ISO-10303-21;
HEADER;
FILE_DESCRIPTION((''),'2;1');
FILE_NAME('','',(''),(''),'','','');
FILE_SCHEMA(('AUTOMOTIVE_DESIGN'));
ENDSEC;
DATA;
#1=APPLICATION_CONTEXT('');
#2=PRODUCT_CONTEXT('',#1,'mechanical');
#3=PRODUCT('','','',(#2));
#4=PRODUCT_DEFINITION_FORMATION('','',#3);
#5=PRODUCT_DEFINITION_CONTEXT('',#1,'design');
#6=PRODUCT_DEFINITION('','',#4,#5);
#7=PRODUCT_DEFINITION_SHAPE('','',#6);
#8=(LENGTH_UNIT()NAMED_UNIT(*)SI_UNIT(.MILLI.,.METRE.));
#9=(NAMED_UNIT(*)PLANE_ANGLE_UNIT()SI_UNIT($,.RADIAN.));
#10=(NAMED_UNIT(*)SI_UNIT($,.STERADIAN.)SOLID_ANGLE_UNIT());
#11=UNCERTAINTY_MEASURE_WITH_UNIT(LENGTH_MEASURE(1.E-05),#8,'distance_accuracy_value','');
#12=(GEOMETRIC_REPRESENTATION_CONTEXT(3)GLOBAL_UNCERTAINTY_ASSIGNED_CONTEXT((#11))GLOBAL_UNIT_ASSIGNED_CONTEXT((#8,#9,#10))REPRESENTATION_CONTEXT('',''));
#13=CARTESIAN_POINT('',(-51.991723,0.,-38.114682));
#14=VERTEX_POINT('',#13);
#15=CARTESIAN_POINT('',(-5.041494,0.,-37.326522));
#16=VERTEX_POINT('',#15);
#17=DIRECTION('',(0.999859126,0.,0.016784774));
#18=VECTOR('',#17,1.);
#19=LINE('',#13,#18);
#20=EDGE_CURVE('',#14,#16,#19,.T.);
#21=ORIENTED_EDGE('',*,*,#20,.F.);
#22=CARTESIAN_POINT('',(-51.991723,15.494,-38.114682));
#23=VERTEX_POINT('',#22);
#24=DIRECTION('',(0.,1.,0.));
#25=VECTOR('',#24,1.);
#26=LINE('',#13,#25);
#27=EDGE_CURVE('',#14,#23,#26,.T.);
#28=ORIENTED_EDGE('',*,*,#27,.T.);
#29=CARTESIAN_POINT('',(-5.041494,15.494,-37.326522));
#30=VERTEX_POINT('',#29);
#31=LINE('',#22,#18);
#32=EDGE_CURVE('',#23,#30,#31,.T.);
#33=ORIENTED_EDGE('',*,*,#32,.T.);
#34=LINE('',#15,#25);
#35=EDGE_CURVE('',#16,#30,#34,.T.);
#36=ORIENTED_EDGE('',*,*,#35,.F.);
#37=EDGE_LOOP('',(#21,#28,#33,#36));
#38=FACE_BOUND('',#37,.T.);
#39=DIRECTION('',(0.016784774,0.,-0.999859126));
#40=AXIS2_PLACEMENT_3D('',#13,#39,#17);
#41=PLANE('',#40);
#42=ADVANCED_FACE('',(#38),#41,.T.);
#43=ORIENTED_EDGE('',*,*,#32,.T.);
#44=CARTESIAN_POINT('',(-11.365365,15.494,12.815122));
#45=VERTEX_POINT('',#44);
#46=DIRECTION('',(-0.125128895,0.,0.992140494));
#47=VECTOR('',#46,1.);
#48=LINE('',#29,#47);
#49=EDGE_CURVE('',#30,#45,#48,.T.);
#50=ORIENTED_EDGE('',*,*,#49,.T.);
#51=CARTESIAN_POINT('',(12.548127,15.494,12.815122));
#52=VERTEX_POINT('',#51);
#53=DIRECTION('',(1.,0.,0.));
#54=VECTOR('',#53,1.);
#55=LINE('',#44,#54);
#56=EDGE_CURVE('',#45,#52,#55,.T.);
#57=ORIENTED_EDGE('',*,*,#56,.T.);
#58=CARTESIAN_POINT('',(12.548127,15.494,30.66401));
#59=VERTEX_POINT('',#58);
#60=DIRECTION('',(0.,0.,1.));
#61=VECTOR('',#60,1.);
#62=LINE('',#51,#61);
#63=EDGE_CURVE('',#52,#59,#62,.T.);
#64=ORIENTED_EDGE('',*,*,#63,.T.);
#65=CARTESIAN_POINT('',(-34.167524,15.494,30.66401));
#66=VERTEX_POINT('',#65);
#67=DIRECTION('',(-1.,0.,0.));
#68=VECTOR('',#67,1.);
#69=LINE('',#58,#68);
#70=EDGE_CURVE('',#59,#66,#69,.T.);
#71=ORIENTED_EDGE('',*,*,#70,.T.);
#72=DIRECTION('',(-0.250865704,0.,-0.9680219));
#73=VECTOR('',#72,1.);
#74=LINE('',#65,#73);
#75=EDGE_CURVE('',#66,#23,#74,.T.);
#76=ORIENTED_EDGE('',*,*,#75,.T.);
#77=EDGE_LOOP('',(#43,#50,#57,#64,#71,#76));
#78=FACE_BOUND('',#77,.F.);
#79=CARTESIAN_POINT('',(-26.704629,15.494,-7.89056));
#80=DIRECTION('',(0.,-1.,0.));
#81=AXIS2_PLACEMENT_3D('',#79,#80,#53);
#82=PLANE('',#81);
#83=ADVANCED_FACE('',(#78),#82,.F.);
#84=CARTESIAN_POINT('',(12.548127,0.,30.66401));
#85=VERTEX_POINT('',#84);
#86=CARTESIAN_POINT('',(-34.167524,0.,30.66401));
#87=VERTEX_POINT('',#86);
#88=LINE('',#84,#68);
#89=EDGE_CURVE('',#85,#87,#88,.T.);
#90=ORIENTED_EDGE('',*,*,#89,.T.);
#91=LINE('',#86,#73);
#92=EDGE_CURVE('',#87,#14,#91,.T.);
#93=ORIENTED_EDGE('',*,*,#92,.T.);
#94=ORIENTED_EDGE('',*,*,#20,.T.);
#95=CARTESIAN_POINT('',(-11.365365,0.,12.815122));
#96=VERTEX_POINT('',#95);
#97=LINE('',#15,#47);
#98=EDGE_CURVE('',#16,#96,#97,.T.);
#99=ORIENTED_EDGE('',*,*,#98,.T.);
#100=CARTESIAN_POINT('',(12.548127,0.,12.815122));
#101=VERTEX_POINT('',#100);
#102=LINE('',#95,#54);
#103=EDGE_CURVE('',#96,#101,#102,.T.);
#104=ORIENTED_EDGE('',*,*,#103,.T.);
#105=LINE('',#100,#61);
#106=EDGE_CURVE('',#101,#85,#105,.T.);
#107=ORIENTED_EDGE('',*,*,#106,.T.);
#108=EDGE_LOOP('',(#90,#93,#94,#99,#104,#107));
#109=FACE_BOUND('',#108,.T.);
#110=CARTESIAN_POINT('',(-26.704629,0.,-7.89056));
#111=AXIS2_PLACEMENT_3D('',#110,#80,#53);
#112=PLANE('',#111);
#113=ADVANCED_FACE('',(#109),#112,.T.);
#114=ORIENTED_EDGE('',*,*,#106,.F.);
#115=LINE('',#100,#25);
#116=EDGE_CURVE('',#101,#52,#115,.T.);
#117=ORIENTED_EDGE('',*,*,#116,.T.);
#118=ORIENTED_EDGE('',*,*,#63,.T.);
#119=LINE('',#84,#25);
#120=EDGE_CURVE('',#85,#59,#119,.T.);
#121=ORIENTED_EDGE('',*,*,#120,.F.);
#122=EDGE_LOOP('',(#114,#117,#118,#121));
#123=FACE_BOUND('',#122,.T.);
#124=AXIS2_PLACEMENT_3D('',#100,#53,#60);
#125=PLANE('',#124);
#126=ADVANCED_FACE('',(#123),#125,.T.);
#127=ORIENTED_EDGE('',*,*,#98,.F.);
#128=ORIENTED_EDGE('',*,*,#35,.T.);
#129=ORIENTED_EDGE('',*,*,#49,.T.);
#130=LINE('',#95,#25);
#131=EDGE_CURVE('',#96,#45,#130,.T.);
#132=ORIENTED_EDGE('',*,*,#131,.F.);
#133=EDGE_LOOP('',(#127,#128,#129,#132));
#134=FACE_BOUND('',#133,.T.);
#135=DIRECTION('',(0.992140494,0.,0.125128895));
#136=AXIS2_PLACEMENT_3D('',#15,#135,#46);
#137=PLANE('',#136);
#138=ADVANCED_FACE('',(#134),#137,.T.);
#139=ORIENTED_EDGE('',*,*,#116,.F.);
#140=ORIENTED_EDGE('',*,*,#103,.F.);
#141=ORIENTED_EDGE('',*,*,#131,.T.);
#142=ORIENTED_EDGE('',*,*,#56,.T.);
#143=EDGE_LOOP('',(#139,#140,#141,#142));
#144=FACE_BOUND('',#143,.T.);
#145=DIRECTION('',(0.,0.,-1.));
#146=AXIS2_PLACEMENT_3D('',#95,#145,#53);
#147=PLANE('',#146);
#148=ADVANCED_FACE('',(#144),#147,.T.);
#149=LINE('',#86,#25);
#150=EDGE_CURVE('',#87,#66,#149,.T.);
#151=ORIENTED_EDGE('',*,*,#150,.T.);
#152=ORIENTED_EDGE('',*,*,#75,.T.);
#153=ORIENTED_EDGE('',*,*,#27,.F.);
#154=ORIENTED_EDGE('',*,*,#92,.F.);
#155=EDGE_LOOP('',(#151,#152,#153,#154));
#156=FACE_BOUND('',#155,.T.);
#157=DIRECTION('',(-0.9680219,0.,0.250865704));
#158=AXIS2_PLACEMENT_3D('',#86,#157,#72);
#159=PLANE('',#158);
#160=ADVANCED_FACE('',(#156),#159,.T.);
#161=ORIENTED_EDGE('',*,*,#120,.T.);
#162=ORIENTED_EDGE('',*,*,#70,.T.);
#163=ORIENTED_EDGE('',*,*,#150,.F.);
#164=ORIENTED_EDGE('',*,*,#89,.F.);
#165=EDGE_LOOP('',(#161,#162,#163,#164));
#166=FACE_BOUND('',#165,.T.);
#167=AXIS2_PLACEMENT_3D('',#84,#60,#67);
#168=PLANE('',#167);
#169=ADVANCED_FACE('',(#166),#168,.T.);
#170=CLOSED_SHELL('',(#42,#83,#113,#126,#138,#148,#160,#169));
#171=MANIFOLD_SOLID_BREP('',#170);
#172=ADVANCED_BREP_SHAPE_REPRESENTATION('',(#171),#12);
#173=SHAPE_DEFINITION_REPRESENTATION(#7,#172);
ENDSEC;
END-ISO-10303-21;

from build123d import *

# Parameters (mm, degrees)
F1_DEPTH = 15.494


with BuildPart() as f1:
    # F0 (on Front) → F1 (new body)
    with BuildSketch(Plane.XZ):
        Polygon((-34.167524, 30.66401), (-51.991723, -38.114682), (-5.041494, -37.326522), (-11.365365, 12.815122), (-13.61647, 30.66401), align=None)
        Polygon((12.548127, 30.66401), (-13.61647, 30.66401), (-11.365365, 12.815122), (12.548127, 12.815122), align=None)
    extrude(amount=-F1_DEPTH)


solid = f1.part
